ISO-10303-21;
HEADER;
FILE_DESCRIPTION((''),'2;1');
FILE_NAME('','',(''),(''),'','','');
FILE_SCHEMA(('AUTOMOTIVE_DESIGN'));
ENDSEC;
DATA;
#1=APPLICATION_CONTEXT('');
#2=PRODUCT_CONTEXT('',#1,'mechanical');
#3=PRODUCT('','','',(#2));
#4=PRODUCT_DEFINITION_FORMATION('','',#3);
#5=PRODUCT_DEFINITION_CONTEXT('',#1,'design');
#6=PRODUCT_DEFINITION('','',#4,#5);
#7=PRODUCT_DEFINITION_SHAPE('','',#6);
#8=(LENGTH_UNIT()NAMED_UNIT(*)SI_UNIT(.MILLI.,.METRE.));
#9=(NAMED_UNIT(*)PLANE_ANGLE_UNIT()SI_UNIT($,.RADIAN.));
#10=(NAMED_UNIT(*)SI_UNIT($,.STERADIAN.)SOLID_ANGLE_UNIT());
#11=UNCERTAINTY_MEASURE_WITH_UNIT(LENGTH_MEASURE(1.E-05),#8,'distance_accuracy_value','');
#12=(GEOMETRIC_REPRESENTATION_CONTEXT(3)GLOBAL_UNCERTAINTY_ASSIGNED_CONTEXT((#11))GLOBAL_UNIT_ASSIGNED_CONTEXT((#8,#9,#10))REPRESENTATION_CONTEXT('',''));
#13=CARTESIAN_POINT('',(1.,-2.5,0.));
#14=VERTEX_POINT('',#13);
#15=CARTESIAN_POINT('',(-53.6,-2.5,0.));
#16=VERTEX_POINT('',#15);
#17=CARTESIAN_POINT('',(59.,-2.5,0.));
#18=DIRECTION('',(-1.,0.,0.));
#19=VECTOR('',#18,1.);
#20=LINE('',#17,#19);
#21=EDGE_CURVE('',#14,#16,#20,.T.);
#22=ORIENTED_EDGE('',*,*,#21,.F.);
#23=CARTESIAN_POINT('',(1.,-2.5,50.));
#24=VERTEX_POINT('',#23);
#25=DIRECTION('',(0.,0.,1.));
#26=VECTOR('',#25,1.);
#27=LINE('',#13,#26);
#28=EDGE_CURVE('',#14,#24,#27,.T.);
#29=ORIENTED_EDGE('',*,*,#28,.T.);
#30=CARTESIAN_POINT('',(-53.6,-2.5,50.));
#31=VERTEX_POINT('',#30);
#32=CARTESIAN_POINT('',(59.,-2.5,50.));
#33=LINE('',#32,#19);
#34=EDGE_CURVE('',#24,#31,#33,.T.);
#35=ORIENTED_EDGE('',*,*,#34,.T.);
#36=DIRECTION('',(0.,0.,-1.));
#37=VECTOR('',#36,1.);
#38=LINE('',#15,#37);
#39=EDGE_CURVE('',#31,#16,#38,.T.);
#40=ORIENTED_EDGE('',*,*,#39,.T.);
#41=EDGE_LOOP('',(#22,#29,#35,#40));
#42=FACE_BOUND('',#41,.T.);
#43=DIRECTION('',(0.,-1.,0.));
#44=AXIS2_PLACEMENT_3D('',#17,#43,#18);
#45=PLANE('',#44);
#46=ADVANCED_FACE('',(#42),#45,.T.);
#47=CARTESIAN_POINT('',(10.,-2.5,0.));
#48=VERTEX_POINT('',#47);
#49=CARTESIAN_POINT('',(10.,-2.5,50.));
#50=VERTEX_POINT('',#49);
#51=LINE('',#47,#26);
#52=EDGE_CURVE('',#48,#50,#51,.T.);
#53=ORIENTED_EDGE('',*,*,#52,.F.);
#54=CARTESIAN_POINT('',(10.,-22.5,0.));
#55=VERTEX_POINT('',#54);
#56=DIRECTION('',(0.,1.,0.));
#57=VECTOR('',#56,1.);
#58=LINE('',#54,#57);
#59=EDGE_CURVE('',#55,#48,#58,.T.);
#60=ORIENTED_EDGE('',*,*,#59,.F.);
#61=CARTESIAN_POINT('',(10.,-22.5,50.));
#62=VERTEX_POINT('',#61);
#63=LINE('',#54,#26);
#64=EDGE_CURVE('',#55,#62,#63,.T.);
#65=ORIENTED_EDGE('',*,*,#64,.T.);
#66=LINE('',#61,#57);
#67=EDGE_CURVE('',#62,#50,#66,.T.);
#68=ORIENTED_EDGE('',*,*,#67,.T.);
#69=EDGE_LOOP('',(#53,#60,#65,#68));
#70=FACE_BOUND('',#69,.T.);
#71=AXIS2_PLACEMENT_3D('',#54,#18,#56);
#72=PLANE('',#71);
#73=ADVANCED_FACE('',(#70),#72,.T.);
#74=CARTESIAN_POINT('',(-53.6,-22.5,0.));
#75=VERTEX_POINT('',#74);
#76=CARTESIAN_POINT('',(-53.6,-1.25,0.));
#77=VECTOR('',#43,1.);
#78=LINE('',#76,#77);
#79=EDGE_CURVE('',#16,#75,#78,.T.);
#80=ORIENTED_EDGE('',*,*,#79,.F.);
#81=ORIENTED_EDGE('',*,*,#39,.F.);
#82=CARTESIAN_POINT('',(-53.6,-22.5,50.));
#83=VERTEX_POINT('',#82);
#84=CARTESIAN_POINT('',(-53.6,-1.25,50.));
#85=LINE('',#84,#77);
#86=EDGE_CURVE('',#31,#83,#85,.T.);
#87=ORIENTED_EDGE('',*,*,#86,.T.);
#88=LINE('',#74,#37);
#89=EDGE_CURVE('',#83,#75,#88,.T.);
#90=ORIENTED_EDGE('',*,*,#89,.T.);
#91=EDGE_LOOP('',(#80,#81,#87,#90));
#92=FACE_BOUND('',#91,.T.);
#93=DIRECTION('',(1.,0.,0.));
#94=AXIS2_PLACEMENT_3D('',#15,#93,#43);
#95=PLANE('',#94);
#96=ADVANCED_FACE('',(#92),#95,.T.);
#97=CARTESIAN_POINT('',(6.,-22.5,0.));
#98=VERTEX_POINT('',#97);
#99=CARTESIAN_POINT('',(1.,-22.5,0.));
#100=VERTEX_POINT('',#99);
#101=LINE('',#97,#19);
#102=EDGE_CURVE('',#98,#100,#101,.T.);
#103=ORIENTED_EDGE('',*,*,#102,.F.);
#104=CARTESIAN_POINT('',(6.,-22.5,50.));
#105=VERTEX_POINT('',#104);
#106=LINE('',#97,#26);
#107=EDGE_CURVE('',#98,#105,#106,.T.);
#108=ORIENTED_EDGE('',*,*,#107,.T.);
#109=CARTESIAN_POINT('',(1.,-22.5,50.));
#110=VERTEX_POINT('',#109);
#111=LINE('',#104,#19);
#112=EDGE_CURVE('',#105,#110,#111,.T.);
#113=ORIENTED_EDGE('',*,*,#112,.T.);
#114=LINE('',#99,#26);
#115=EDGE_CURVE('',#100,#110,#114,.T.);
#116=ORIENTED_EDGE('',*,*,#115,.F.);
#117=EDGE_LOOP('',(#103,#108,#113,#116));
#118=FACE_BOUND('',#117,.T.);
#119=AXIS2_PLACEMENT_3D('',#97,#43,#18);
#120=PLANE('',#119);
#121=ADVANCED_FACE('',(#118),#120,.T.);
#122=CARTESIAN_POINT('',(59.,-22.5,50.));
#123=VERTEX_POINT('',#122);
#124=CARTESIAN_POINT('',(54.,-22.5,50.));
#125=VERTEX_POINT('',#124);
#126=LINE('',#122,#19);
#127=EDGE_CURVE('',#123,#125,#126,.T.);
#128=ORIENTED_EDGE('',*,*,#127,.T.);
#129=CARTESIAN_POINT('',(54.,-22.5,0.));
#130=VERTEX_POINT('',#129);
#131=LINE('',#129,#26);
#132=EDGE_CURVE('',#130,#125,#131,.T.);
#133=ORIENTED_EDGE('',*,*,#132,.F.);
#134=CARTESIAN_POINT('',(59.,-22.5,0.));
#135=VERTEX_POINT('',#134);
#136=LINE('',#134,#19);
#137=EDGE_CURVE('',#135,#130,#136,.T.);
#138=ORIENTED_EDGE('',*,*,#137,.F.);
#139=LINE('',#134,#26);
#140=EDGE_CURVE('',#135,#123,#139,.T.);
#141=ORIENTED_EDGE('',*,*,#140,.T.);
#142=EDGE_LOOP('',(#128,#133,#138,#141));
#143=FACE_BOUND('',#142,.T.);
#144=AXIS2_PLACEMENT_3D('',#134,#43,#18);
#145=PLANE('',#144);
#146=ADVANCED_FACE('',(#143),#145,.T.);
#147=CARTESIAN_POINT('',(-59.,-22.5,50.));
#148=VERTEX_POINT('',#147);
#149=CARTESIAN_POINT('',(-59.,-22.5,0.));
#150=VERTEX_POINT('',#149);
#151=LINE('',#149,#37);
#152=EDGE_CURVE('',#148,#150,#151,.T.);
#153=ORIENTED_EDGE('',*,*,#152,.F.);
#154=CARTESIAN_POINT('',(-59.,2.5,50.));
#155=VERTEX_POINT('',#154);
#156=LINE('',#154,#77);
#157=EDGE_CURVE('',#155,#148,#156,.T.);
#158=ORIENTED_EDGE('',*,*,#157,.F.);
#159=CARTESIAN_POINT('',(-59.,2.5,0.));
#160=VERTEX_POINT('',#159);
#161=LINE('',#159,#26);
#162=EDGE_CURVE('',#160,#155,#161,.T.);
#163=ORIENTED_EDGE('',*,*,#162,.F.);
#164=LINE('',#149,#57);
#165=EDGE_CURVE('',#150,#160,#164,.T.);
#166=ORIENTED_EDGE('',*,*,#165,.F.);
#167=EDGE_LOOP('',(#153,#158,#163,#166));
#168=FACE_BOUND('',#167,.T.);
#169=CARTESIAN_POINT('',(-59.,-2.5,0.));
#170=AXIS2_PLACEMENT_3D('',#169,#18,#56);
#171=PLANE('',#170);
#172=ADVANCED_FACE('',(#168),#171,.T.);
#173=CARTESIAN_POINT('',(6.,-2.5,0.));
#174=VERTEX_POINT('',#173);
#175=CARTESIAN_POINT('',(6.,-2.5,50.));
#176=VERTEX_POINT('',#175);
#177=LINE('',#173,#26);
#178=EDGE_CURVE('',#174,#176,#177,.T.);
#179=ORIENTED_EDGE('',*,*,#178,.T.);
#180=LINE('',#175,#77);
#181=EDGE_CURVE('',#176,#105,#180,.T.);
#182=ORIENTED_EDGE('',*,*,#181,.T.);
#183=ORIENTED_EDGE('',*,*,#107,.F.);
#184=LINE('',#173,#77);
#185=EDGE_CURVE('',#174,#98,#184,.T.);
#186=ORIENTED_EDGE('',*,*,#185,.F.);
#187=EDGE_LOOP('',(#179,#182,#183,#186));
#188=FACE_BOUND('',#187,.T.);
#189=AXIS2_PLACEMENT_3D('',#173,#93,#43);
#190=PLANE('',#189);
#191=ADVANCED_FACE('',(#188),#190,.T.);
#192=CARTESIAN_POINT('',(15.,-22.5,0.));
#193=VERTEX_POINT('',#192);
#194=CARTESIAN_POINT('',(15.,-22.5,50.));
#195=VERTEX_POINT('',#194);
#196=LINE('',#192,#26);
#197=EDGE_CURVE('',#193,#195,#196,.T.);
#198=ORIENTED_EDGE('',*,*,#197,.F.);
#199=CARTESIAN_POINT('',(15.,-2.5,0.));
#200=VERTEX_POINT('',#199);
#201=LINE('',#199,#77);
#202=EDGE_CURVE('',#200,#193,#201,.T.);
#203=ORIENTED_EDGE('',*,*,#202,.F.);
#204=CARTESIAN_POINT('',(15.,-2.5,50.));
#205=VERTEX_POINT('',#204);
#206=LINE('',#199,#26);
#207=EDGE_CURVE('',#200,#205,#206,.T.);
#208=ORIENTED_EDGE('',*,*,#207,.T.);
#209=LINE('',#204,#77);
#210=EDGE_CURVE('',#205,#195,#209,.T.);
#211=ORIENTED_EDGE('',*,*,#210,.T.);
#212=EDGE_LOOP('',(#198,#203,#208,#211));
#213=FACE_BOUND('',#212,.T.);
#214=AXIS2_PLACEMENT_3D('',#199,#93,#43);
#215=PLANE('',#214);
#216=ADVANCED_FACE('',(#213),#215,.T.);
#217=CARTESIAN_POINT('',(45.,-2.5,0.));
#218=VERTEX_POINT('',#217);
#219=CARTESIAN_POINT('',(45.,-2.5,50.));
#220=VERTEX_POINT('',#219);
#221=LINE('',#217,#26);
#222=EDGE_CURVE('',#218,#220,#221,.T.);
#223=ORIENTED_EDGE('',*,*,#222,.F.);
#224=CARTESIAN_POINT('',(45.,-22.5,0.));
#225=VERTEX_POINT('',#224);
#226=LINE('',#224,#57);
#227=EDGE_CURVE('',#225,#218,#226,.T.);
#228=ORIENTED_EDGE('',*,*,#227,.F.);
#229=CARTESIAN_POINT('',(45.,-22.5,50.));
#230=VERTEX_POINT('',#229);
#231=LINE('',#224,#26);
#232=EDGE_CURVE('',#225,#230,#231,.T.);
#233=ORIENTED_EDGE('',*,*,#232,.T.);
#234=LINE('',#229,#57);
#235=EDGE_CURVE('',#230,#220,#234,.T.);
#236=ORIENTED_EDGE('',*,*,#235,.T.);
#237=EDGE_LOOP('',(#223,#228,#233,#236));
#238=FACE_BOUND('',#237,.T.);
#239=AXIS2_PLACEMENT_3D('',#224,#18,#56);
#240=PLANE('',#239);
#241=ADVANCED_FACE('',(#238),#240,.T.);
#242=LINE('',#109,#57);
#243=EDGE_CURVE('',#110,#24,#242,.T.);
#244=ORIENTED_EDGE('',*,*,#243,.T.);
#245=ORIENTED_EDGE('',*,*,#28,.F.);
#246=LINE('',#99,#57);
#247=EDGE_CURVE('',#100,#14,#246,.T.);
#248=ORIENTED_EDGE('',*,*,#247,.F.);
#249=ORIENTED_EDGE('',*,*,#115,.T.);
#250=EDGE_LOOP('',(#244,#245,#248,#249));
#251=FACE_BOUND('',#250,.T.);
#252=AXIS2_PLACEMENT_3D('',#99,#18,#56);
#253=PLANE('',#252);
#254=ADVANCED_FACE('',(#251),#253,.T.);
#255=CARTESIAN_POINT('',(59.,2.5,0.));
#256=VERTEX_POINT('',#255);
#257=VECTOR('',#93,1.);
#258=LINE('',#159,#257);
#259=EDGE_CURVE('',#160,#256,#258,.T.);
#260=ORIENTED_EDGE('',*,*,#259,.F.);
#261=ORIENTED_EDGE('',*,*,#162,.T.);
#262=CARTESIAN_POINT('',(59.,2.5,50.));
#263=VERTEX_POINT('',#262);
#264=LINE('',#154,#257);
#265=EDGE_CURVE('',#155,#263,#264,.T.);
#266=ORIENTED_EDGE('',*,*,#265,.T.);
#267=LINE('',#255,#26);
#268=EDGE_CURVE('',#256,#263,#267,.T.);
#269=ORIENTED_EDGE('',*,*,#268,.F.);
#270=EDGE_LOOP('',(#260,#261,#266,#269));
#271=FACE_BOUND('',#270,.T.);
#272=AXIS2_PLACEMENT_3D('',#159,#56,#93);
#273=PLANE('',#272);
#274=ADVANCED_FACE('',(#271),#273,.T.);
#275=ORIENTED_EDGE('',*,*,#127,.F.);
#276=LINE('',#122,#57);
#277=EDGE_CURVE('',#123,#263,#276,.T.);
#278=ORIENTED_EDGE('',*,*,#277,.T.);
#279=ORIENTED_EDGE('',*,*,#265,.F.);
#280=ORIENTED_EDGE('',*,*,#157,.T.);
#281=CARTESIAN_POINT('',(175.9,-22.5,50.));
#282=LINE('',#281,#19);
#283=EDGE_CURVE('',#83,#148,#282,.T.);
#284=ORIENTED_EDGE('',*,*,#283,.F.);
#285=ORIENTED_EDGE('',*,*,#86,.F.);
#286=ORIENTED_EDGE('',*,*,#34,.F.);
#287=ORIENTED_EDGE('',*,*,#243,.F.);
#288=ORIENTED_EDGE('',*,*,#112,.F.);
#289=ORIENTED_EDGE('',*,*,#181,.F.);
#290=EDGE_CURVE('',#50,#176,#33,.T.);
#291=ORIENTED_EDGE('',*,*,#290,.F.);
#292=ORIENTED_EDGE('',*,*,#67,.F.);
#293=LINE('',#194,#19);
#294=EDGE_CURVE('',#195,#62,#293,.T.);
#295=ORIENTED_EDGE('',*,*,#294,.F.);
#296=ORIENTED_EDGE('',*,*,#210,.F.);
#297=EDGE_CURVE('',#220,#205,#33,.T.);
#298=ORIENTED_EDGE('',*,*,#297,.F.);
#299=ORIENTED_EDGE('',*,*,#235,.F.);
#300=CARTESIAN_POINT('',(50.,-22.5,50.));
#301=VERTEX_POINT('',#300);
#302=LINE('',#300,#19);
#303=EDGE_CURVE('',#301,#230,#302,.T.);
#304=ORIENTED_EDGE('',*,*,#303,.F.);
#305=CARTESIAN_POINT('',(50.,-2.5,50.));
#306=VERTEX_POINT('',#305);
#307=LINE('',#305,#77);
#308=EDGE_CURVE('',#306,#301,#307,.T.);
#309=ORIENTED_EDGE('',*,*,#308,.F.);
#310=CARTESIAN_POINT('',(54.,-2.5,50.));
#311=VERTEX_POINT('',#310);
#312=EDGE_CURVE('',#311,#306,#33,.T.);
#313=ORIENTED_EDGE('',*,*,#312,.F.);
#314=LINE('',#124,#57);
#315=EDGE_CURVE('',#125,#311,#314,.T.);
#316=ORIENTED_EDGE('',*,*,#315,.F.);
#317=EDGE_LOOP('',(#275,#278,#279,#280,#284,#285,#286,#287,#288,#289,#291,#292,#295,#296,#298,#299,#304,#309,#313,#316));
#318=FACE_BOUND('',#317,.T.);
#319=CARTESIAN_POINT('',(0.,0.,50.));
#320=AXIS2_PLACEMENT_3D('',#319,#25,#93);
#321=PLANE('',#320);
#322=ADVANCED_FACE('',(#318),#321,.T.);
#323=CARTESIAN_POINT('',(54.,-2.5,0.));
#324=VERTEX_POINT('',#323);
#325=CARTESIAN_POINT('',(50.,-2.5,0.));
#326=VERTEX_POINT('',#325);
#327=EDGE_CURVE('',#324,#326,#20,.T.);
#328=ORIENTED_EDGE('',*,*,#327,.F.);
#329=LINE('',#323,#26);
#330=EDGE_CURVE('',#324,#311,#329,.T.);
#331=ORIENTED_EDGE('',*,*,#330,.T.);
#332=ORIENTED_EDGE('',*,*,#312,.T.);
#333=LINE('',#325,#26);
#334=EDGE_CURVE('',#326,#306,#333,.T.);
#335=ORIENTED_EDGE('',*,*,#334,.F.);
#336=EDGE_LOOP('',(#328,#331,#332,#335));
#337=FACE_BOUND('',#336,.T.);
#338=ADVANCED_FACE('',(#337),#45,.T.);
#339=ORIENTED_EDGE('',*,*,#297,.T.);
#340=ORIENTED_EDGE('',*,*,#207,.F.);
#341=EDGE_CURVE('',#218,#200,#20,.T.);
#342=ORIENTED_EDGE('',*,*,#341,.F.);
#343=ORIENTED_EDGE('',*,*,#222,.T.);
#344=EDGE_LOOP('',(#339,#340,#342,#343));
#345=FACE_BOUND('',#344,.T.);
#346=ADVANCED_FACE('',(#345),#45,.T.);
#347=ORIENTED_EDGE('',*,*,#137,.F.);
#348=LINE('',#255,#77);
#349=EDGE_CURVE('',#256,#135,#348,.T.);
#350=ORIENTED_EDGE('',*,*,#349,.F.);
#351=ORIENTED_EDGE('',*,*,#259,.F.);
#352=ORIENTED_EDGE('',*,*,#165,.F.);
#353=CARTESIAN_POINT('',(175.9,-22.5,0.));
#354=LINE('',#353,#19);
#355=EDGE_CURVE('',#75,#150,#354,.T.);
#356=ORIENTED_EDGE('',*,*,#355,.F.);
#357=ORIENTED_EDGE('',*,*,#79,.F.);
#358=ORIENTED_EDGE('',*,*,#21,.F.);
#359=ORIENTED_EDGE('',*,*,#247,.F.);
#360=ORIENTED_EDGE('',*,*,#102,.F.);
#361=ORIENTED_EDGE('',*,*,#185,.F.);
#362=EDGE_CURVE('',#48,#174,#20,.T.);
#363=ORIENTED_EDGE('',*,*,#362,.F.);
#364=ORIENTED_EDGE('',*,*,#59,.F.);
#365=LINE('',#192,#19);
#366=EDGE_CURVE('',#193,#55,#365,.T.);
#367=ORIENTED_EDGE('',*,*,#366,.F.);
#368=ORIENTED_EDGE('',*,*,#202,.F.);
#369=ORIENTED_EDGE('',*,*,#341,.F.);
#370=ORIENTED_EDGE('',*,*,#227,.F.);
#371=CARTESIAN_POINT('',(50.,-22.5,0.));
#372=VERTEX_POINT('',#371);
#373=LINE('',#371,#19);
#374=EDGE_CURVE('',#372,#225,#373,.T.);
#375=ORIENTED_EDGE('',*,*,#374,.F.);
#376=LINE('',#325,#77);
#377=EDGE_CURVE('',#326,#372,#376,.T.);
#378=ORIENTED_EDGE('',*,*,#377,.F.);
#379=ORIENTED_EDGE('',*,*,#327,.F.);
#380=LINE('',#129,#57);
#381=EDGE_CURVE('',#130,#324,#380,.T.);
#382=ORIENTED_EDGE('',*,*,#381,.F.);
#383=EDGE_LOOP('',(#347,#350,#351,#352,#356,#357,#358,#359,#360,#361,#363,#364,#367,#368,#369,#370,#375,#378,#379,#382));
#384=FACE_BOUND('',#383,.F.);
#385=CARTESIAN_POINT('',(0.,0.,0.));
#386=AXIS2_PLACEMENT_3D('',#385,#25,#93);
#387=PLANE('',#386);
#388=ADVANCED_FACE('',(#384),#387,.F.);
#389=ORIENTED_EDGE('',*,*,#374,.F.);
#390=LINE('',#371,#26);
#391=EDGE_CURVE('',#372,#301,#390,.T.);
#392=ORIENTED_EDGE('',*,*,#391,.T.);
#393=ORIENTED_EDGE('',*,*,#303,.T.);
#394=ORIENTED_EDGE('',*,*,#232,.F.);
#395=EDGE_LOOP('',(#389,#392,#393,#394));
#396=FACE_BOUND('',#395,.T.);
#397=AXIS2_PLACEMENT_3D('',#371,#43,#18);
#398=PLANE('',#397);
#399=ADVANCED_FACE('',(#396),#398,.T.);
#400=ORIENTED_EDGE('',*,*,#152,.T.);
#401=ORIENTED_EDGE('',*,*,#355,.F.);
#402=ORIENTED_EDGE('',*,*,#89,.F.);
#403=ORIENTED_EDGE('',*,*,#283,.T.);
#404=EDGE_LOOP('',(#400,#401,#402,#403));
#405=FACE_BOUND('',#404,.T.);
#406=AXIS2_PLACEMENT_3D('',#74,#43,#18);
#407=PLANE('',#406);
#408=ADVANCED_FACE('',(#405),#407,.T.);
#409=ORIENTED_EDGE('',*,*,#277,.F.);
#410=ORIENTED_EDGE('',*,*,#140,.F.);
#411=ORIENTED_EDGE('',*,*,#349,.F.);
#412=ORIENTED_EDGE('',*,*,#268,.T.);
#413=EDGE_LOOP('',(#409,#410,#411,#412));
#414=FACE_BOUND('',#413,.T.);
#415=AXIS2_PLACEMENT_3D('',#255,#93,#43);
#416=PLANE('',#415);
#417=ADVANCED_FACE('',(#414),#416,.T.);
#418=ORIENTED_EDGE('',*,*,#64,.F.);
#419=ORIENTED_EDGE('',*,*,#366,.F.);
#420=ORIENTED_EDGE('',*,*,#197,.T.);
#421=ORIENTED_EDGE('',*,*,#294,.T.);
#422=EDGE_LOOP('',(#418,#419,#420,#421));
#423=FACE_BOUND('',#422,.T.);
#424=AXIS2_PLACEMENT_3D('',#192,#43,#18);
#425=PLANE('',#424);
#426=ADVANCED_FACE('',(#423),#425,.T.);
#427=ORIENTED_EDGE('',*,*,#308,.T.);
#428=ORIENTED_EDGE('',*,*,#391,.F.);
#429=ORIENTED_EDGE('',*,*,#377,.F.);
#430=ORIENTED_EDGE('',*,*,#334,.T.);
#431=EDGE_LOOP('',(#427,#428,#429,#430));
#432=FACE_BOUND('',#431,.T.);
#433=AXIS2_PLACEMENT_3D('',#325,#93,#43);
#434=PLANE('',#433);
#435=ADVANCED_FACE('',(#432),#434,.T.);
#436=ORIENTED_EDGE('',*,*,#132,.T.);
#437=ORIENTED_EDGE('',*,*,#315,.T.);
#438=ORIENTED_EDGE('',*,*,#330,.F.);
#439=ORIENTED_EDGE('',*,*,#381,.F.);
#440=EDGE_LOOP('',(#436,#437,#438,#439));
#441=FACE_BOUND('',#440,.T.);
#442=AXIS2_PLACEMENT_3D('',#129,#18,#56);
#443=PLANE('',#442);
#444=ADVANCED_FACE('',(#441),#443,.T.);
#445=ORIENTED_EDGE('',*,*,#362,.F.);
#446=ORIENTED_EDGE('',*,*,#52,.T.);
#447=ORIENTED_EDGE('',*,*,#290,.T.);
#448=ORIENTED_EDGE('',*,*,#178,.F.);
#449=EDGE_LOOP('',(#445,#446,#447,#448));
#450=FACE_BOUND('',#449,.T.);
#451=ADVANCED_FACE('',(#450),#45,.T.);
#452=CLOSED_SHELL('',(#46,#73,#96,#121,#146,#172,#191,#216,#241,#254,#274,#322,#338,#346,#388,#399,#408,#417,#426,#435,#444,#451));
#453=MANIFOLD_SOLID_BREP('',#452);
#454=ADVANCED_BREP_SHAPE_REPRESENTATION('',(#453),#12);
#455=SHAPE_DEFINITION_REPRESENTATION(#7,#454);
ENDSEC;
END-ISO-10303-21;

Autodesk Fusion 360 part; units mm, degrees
sketch "Sketch6" plane through (0, 0, 0) normal (0, 0, 1) x (1, 0, 0)
  line L0 (59, -2.5) -> (-59, -2.5)
  line L1 (-59, -2.5) -> (-59, 2.5)
  line L2 (-59, 2.5) -> (59, 2.5)
  line L3 (59, 2.5) -> (59, -2.5)
  line L4 (59, -2.5) -> (-59, 2.5) construction
  line L5 (-59, -2.5) -> (59, 2.5) construction
  dimension "d8" = 118
  dimension "d9" = 5
sketch "Sketch7" plane through (0, 0, 0) normal (0, 0, 1) x (1, 0, 0)
  line L0 (-464, -2.5) -> (-459, -2.5)
  line L1 (-459, -2.5) -> (-459, -22.5)
  line L2 (-459, -22.5) -> (-464, -22.5)
  line L3 (-464, -22.5) -> (-464, -2.5)
  line L4 (-459, -22.5) -> (-464, -22.5)
  line L5 (-464, -22.5) -> (-464, -2.5)
  line L6 (-459, -2.5) -> (-459, -22.5)
  line L7 (-464, -2.5) -> (-459, -2.5)
  dimension "d10" = 5
  dimension "d11" = 20
  dimension "d12" = 5
  dimension "d13" = 20
sketch "Sketch8" plane through (0, 0, 0) normal (0, 0, 1) x (1, 0, 0)
  line L0 (136, -2.5) -> (141, -2.5)
  line L1 (141, -2.5) -> (141, -22.5)
  line L2 (141, -22.5) -> (136, -22.5)
  line L3 (136, -22.5) -> (136, -2.5)
  dimension "d14" = 5
  dimension "d15" = 20
sketch "Sketch9" plane through (0, 0, 0) normal (0, 0, 1) x (1, 0, 0)
  line L0 (459, -2.5) -> (464, -2.5)
  line L1 (464, -2.5) -> (464, -22.5)
  line L2 (464, -22.5) -> (459, -22.5)
  line L3 (459, -22.5) -> (459, -2.5)
  dimension "d16" = 5
  dimension "d17" = 20
sketch "Sketch10" plane through (0, 0, 0) normal (0, 0, 1) x (1, 0, 0)
  line L0 (450, -2.5) -> (455, -2.5)
  line L1 (455, -2.5) -> (455, -22.5)
  line L2 (455, -22.5) -> (450, -22.5)
  line L3 (450, -22.5) -> (450, -2.5)
  dimension "d20" = 5
  dimension "d21" = 20
sketch "Sketch11" plane through (0, 0, 0) normal (0, 0, 1) x (1, 0, 0)
  line L0 (145, -2.5) -> (150, -2.5)
  line L1 (150, -2.5) -> (150, -22.5)
  line L2 (150, -22.5) -> (145, -22.5)
  line L3 (145, -22.5) -> (145, -2.5)
  dimension "d22" = 5
  dimension "d23" = 20
extrude "Extrude1" add sketch "Sketch6" along normal blind 100 makes body 1
extrude "Extrude2" add sketch "Sketch7" along normal blind 100 bodies 1 makes body 2
extrude "Extrude3" add sketch "Sketch8" along normal blind 100 bodies 2 makes body 3
extrude "Extrude4" add sketch "Sketch11" along normal blind 100 bodies 3 makes body 4
extrude "Extrude5" add sketch "Sketch10" along normal blind 100 bodies 4 makes body 5
extrude "Extrude6" add sketch "Sketch9" along normal blind 100 bodies 5 makes body 6
move_body "Move1" bodies 2 to x (1, 0, 0) y (0, 1, 0) z (0, 0, 1) at (418, 0, 0)
move_face "MoveFace1" by (-0.4, 0, 0) 1 faces at (-46, -15.8333, 33.3333) on bodies 2
move_body "Move2" bodies 5 6 to x (1, 0, 0) y (0, 1, 0) z (0, 0, 1) at (-417.6, 0, 0)
move_body "Move3" bodies 4 3 to x (1, 0, 0) y (0, 1, 0) z (0, 0, 1) at (-140, 0, 0)
move_body "Move4" bodies 3 4 to x (1, 0, 0) y (0, 1, 0) z (0, 0, 1) at (5, 0, 0)
move_body "Move5" bodies 4 3 to x (1, 0, 0) y (0, 1, 0) z (0, 0, 1) at (7, 0, 0)
move_body "Move6" bodies 4 3 to x (1, 0, 0) y (0, 1, 0) z (0, 0, 1) at (4, 0, 0)
move_body "Move7" bodies 2 to x (1, 0, 0) y (0, 1, 0) z (0, 0, 1) at (-12.6, 0, 0)
move_body "Move8" bodies 6 5 to x (1, 0, 0) y (0, 1, 0) z (0, 0, 1) at (12.6, 0, 0)
move_body "Move9" bodies 4 3 to x (1, 0, 0) y (0, 1, 0) z (0, 0, 1) at (-11, 0, 0)
combine "Combine1" operation add target body 1 tool bodies 2 3 4 6 5
extrude "Extrude7" cut 1 faces at (2, 0.8333, 100) along direction (0, 0, -1) blind 50 on bodies 1 bodies 1
